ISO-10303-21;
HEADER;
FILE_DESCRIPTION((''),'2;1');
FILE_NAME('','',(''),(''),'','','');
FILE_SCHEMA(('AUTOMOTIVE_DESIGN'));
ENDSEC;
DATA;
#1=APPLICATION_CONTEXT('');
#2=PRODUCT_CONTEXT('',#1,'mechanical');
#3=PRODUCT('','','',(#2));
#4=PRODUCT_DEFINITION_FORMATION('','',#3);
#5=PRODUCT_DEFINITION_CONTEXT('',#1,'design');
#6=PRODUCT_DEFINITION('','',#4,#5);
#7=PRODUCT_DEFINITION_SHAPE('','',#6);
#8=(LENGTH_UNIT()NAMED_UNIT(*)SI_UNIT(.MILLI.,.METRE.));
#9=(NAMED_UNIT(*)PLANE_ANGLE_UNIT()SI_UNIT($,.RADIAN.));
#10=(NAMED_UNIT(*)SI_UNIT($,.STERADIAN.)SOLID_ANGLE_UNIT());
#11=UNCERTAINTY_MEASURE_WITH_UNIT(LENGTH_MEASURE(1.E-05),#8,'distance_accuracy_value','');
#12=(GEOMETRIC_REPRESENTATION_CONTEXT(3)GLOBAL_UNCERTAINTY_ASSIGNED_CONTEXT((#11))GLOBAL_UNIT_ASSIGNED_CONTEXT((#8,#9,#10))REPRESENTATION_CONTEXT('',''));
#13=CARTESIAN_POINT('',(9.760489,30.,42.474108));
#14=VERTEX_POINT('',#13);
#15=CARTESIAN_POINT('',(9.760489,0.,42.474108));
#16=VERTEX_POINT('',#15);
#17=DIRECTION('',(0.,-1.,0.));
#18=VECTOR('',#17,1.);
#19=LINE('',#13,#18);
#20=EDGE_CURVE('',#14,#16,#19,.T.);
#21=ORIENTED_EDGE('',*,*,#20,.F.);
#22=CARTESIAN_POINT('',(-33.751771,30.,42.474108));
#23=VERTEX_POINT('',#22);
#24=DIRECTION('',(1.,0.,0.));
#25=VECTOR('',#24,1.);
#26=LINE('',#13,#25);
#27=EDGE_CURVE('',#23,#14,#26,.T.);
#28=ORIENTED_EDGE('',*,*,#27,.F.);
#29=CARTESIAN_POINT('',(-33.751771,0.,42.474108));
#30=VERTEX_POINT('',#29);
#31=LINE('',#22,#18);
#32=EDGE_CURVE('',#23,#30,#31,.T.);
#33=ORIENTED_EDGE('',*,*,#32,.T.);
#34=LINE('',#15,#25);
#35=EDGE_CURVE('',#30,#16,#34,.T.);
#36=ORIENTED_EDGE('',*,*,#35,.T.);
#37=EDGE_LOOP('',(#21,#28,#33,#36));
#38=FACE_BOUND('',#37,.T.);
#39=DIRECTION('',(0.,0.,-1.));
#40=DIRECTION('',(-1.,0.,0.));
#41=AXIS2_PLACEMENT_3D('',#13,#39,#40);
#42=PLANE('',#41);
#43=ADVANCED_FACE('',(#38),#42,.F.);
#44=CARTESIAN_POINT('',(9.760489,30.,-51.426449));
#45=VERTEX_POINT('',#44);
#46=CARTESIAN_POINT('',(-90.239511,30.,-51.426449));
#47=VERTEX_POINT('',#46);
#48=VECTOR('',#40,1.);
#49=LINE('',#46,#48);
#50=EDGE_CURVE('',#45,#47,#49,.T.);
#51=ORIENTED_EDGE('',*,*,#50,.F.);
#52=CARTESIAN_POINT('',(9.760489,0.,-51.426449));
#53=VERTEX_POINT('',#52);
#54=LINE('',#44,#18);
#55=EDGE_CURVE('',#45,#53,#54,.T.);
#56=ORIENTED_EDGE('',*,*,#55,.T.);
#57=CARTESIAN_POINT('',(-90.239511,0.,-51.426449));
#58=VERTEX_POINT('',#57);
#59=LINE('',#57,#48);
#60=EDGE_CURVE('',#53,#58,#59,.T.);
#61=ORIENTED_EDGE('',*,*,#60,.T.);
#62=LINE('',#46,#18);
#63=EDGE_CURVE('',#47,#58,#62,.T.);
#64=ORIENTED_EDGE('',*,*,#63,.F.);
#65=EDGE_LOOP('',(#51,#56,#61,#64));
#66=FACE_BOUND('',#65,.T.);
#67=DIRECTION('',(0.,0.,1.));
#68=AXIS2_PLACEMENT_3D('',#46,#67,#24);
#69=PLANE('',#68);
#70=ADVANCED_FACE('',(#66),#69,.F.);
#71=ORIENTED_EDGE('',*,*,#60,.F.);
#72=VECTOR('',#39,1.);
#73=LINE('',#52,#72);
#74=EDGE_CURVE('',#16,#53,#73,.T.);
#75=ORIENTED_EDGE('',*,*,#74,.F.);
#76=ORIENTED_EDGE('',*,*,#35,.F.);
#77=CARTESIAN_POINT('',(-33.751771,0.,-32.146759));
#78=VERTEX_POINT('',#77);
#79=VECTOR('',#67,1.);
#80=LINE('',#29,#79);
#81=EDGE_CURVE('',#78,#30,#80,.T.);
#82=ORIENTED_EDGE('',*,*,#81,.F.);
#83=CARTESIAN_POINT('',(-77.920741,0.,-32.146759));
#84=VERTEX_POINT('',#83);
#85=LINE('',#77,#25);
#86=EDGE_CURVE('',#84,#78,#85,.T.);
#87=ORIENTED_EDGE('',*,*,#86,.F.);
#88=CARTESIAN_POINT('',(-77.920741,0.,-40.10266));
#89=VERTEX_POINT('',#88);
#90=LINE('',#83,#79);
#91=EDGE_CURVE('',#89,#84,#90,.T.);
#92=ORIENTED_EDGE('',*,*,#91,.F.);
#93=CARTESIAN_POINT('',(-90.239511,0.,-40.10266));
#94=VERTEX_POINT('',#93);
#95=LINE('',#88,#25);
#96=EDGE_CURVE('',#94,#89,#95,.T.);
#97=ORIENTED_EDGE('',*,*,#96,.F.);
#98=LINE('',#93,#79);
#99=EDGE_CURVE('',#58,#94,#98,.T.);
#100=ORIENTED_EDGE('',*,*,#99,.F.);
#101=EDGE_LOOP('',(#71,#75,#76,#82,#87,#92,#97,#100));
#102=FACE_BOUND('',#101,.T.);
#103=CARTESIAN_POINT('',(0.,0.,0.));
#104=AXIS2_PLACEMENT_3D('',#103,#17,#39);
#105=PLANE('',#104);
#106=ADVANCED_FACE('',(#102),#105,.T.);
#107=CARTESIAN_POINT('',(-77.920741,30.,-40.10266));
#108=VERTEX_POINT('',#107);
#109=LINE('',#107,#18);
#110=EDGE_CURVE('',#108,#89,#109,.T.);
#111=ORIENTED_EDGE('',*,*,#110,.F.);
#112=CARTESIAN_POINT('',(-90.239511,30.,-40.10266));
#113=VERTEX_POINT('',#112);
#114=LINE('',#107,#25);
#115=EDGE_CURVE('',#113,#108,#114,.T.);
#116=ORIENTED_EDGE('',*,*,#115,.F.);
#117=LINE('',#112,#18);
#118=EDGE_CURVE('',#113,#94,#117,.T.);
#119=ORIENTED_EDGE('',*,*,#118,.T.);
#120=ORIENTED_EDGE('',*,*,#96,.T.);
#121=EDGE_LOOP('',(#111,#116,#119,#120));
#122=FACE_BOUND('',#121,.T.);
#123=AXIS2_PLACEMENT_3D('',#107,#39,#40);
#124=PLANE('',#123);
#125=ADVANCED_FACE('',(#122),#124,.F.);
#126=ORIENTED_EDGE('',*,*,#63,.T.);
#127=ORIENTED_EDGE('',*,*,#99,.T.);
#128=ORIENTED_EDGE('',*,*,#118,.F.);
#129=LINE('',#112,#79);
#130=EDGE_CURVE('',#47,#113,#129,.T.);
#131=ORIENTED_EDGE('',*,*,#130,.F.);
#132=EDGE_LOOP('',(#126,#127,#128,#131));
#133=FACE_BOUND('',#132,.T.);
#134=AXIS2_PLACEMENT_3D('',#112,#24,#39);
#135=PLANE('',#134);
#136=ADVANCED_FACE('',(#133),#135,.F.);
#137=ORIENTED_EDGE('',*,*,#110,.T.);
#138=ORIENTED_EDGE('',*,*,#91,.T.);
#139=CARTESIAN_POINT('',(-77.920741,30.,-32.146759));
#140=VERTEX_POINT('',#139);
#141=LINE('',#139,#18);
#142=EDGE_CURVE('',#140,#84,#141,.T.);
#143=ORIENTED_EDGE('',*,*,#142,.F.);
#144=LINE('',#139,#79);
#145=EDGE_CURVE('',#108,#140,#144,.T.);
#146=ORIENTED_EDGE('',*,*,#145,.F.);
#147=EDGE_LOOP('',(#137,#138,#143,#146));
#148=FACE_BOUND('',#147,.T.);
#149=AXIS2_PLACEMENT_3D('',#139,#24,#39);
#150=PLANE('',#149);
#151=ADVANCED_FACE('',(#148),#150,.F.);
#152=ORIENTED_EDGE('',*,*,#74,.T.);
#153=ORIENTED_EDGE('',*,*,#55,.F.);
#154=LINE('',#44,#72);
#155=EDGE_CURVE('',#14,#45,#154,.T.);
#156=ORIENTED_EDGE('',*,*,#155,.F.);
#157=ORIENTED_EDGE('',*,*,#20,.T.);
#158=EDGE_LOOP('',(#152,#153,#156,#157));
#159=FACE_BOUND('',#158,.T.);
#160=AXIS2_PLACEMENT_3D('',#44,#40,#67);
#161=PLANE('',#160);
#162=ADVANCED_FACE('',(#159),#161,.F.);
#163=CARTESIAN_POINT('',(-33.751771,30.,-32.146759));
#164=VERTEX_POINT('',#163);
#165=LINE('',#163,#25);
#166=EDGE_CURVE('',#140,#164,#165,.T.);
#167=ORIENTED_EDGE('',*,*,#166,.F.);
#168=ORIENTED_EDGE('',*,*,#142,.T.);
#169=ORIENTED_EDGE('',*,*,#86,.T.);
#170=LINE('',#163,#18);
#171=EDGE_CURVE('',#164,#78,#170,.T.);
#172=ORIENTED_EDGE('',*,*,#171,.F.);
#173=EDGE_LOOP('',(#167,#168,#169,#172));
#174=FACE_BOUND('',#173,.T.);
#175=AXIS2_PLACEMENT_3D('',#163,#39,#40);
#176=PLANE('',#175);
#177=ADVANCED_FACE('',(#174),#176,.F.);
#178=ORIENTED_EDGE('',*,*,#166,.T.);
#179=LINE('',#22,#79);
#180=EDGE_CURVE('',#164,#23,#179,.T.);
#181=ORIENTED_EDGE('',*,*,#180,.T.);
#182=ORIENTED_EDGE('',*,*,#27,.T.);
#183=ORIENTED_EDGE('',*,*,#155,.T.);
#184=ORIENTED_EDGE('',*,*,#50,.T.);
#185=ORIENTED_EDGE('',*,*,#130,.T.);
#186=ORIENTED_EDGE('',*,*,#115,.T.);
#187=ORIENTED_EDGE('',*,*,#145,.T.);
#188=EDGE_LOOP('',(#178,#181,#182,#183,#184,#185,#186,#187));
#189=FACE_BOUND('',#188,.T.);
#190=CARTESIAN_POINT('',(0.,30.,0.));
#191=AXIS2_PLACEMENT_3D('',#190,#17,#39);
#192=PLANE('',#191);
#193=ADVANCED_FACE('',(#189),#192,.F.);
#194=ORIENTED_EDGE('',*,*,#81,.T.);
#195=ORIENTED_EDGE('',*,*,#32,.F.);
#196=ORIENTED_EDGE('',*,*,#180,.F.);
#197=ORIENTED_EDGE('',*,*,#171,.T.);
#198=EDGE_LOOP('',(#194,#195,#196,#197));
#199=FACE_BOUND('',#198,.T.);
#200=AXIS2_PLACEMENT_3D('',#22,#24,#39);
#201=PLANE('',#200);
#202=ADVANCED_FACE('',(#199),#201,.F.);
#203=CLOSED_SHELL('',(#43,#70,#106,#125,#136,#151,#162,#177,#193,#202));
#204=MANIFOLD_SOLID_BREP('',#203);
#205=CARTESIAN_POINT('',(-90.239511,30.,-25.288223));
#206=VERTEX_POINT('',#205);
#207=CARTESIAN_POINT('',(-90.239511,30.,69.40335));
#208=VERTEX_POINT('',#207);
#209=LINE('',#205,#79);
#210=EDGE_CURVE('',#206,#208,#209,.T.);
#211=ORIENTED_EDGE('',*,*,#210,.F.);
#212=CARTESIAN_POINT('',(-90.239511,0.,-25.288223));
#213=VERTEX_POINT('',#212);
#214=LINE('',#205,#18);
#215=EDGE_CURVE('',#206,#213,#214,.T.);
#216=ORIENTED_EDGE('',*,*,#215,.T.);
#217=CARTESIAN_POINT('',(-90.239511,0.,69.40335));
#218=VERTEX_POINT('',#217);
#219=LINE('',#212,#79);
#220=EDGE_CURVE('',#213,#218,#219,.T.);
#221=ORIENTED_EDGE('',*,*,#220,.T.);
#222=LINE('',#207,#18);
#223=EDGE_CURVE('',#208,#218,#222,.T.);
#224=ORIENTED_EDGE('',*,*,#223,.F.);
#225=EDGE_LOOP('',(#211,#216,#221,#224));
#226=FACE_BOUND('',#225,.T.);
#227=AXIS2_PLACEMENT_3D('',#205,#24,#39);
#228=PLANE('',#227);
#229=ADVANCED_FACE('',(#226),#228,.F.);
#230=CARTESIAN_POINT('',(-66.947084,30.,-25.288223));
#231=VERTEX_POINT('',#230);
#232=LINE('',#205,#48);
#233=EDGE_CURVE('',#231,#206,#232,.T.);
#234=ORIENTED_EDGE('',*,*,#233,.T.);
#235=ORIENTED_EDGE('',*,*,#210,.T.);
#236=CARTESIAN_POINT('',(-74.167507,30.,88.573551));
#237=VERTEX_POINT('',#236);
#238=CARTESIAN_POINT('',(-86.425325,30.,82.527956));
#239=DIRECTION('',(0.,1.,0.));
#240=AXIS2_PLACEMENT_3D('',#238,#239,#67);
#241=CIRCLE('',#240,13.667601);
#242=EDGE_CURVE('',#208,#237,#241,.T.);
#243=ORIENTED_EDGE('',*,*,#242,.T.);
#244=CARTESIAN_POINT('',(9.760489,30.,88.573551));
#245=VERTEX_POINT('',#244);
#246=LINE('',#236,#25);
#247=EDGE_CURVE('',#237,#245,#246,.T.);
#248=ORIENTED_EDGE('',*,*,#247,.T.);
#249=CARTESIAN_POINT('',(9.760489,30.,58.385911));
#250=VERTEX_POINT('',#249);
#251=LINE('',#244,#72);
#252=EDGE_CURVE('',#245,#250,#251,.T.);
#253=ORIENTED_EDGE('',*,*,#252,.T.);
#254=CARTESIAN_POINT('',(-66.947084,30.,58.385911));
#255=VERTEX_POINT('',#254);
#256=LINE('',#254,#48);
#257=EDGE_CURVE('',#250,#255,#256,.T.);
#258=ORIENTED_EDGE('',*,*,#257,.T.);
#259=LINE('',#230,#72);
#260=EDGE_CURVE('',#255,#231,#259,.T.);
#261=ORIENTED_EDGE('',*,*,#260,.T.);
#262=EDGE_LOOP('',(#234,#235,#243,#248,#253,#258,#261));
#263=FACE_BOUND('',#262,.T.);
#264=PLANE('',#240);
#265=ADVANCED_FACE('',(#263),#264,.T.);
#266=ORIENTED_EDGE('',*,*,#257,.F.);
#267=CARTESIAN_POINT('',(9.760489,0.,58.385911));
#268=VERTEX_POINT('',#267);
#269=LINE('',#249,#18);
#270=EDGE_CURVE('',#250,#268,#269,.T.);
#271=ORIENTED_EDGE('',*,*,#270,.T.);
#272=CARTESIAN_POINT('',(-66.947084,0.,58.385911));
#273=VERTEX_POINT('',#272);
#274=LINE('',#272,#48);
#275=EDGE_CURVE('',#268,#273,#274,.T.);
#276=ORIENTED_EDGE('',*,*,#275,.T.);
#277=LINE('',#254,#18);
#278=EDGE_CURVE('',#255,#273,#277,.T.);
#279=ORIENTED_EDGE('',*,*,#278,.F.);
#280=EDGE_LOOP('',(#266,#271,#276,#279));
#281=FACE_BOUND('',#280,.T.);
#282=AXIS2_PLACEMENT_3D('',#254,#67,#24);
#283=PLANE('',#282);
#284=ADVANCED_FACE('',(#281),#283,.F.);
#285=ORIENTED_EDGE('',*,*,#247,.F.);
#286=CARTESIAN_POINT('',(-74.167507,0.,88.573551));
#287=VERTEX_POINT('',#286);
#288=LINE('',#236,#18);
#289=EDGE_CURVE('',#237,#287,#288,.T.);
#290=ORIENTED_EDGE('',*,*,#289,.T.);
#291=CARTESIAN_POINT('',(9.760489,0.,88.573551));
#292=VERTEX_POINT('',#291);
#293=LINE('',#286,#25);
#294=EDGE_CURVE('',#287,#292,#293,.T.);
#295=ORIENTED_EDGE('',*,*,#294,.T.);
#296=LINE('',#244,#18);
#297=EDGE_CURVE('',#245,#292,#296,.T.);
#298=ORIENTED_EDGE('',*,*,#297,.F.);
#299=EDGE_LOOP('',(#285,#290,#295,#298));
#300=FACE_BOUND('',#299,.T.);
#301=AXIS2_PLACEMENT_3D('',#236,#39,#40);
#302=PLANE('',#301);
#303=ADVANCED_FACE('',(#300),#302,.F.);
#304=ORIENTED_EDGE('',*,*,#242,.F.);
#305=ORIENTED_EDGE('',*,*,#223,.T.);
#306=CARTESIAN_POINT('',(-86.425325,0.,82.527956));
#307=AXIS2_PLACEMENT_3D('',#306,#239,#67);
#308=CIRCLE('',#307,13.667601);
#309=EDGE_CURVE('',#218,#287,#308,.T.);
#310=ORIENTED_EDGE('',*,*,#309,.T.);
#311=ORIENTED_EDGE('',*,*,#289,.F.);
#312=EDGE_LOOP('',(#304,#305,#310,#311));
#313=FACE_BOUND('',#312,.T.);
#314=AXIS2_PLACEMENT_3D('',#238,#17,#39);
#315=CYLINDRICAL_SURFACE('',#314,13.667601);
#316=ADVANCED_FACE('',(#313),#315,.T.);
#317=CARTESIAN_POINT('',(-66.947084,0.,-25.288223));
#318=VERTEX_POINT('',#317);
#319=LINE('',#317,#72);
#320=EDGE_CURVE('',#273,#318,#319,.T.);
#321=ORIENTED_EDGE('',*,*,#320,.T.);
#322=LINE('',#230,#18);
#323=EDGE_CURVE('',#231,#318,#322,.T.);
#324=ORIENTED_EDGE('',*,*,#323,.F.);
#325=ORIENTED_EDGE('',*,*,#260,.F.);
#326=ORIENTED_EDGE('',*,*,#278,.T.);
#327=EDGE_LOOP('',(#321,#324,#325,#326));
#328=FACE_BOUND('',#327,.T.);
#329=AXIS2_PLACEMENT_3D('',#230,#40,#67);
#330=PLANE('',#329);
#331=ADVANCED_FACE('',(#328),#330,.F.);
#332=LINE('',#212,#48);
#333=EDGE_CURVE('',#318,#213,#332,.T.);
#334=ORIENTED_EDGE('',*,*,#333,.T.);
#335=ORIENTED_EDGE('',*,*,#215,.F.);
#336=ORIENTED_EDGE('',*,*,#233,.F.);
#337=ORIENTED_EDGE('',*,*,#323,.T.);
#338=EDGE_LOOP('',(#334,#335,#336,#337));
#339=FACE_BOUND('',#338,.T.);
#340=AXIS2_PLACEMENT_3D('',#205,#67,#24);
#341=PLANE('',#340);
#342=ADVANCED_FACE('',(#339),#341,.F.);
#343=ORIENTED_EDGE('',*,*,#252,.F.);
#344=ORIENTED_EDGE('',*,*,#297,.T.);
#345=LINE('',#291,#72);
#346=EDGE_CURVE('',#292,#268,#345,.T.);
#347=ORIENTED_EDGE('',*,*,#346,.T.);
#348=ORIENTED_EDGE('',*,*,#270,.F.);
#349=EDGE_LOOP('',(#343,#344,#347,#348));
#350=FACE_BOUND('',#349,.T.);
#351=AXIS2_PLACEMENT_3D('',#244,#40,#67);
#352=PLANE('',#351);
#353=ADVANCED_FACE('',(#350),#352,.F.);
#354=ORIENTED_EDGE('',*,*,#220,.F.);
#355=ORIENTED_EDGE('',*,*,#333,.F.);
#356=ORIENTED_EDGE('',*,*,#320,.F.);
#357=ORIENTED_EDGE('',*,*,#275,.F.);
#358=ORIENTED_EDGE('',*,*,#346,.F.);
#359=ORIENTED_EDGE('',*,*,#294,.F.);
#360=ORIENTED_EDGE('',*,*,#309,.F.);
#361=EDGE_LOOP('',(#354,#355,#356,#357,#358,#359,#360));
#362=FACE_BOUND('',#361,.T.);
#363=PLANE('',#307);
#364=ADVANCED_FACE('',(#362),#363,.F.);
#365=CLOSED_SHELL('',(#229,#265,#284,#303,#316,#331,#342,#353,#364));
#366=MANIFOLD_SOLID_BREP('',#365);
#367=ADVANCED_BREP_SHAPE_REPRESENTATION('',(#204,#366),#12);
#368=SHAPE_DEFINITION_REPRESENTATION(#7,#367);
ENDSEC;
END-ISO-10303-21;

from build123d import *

# Parameters (mm, degrees)
EXTRUDE_1_DEPTH   = 30
EXTRUDE_1_2_DEPTH = 30


with BuildPart() as part:
    # 草图1 → 凸台-拉伸1 (new body)
    with BuildSketch(Plane(origin=(0, 0, 0), x_dir=(1, 0, 0), z_dir=(0, 1, 0))):
        with BuildLine():
            Line((-90.239511188, 25.288223499), (-66.947083746, 25.288223499))
            Line((-66.947083746, 25.288223499), (-66.947083746, -58.385910797))
            Line((-66.947083746, -58.385910797), (9.760488812, -58.385910797))
            Line((9.760488812, -58.385910797), (9.760488812, -88.573550981))
            Line((9.760488812, -88.573550981), (-74.167507467, -88.573550981))
            ThreePointArc((-74.167507467, -88.573550981), (-96.899000332, -91.308925643), (-90.239511188, -69.403349943))
            Line((-90.239511188, -69.403349943), (-90.239511188, 25.288223499))
        make_face()
    extrude(amount=EXTRUDE_1_DEPTH)


with BuildPart() as body_2:
    # 草图1 → Extrude 1 2 (new body)
    with BuildSketch(Plane(origin=(0, 0, 0), x_dir=(1, 0, 0), z_dir=(0, 1, 0))):
        Polygon((-90.239511188, 51.426449019), (9.760488812, 51.426449019), (9.760488812, -42.47410821), (-33.751771451, -42.47410821), (-33.751771451, 32.146759097), (-77.920740703, 32.146759097), (-77.920740703, 40.102660391), (-90.239511188, 40.102660391), align=None)
    extrude(amount=EXTRUDE_1_2_DEPTH)


solid = Compound([part.part, body_2.part])
